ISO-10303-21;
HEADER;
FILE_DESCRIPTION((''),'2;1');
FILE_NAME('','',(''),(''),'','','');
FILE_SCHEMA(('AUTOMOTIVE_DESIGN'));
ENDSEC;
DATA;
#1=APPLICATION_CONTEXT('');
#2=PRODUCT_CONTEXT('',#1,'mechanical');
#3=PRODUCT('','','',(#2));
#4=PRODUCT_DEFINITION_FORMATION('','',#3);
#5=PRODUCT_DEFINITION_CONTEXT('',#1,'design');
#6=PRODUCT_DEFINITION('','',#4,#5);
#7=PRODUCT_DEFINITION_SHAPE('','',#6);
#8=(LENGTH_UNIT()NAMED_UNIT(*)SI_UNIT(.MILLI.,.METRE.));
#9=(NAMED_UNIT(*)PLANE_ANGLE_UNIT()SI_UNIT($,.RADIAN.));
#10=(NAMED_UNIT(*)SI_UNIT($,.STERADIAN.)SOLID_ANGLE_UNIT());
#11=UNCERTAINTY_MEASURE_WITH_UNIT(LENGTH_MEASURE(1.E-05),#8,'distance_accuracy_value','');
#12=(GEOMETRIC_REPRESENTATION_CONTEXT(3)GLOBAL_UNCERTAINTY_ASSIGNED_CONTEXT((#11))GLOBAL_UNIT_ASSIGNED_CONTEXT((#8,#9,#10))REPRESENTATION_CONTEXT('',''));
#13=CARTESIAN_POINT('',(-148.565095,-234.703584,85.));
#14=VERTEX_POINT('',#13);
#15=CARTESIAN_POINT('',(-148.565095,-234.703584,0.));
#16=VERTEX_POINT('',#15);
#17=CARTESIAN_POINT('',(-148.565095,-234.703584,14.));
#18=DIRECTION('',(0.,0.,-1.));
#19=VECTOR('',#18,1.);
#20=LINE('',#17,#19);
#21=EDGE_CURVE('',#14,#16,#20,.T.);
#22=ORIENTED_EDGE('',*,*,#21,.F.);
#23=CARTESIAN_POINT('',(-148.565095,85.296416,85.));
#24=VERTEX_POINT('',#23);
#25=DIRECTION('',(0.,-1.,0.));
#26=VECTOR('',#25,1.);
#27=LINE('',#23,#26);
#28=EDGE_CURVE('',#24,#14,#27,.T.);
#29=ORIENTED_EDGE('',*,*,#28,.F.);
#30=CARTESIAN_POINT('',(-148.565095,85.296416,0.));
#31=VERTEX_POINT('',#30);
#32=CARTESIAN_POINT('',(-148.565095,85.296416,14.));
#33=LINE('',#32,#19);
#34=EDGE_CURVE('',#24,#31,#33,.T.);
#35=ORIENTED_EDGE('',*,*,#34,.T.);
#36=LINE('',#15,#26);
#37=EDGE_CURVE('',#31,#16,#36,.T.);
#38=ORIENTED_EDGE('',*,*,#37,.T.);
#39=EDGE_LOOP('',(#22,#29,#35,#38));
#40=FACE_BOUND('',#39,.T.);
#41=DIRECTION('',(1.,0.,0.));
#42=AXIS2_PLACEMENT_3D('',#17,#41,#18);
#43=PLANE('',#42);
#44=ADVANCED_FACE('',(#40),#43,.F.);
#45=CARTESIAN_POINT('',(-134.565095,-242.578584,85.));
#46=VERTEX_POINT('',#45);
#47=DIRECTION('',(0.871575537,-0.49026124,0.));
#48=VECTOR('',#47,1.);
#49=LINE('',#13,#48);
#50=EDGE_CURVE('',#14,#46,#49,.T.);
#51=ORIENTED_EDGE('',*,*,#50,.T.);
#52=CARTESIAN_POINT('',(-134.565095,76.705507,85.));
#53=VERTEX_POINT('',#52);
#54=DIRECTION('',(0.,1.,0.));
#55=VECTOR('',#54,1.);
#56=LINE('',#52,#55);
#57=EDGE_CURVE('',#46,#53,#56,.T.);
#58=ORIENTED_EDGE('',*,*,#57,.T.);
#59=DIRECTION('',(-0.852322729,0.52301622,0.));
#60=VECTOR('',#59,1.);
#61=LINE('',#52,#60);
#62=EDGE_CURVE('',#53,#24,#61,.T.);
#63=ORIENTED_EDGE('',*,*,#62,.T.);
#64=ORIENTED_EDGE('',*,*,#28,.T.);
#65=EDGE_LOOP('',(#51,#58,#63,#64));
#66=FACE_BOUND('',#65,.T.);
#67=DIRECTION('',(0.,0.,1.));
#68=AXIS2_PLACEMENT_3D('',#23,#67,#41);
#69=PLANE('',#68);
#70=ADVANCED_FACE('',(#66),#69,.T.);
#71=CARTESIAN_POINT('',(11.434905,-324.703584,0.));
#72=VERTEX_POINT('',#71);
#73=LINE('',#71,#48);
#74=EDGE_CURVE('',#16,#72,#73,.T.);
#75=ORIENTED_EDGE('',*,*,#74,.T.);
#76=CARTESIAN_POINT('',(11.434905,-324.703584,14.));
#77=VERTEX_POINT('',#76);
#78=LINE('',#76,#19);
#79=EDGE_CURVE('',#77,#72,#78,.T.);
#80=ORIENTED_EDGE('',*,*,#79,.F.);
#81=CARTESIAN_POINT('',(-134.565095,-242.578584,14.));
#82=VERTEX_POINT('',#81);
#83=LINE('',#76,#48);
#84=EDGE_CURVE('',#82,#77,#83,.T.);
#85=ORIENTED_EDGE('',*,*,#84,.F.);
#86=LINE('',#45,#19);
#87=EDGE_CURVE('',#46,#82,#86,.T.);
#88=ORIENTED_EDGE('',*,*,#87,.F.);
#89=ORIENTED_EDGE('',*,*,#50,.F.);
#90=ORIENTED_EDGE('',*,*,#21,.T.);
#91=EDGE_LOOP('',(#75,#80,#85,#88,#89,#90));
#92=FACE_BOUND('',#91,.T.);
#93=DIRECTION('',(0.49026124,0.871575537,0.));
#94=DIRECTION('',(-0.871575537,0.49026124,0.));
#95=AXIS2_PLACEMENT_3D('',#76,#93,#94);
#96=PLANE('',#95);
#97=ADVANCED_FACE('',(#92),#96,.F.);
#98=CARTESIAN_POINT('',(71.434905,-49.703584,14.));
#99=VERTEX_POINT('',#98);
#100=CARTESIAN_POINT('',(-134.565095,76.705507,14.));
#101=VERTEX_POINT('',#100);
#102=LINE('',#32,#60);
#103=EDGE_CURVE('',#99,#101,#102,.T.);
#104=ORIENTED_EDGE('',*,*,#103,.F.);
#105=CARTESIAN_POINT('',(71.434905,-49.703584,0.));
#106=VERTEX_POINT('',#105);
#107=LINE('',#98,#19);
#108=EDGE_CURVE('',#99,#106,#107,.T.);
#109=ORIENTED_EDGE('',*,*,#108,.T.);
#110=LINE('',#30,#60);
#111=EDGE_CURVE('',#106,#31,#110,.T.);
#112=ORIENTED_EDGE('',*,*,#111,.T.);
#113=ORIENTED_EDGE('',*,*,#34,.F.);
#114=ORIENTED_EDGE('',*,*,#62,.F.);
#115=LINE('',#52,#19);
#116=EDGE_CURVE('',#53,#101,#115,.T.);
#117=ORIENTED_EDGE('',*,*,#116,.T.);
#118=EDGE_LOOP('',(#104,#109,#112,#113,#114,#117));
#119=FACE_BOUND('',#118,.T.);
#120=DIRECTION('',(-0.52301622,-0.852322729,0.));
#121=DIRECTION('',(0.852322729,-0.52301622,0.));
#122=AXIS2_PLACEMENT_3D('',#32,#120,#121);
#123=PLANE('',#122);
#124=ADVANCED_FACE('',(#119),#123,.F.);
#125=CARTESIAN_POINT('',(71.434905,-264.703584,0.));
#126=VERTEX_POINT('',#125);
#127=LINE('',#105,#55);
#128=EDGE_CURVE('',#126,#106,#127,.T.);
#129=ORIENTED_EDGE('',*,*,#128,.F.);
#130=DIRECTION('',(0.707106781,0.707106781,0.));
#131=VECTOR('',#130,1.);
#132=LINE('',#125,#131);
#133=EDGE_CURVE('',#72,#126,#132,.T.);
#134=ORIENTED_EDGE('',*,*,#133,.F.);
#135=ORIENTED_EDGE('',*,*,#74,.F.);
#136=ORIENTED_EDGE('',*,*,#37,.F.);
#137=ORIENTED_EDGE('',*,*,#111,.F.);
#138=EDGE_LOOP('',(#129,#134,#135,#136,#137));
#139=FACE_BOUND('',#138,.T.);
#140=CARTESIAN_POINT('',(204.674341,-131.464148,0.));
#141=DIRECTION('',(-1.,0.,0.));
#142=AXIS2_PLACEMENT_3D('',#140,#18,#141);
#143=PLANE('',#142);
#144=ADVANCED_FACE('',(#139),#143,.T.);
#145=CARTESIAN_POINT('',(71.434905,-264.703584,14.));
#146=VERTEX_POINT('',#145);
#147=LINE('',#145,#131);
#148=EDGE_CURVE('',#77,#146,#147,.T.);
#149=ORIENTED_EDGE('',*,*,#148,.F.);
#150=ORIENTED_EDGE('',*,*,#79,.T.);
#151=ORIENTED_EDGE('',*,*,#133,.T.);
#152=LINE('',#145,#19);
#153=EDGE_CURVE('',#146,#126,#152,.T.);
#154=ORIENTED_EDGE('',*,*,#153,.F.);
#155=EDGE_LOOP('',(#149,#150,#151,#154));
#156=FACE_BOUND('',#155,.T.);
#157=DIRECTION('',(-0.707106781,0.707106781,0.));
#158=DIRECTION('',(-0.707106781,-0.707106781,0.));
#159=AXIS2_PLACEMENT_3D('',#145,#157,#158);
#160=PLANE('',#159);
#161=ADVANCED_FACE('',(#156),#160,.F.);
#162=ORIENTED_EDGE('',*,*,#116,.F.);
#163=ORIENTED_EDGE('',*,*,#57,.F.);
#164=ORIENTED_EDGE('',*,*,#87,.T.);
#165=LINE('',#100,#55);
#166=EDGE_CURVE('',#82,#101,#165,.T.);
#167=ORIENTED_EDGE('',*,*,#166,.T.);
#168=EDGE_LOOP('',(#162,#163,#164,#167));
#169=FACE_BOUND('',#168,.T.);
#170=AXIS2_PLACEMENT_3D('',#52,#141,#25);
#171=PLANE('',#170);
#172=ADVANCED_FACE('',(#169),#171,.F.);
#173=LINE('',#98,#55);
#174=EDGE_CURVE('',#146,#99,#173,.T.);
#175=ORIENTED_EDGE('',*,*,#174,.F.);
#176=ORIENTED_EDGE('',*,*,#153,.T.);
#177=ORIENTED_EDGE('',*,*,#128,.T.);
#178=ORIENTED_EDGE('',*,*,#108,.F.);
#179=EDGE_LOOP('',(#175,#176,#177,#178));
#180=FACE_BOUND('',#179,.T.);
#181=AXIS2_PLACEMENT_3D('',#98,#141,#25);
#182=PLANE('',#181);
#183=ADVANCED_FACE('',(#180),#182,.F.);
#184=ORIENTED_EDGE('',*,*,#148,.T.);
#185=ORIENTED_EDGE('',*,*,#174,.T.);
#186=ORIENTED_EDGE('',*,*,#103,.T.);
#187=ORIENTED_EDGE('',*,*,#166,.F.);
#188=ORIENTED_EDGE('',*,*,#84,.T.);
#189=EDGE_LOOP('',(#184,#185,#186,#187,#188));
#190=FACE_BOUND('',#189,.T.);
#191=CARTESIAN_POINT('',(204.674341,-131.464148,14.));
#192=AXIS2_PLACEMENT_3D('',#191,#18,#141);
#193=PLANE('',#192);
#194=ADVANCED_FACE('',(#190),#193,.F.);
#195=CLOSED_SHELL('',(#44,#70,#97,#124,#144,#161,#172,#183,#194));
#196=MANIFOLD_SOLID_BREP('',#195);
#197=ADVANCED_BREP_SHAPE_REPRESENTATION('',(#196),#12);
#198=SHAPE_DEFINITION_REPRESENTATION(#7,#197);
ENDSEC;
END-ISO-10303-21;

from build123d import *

# Parameters (mm, degrees)
EXTRUDE_1_DEPTH = 14
EXTRUDE_2_DEPTH = 71


with BuildPart() as part:
    # 草图1 → 凸台-拉伸1 (new body)
    with BuildSketch(Plane.XY):
        Polygon((71.4349048, -49.703584356), (71.4349048, -264.703584356), (11.4349048, -324.703584356), (-148.5650952, -234.703584356), (-148.5650952, 85.296415644), align=None)
    extrude(amount=EXTRUDE_1_DEPTH)

    # 草图2 → 凸台-拉伸2 (add)
    with BuildSketch(Plane.XY.offset(14)):
        Polygon((-134.5650952, 76.705506553), (-134.5650952, -242.578584356), (-148.5650952, -234.703584356), (-148.5650952, 85.296415644), align=None)
    extrude(amount=EXTRUDE_2_DEPTH)


solid = part.part
